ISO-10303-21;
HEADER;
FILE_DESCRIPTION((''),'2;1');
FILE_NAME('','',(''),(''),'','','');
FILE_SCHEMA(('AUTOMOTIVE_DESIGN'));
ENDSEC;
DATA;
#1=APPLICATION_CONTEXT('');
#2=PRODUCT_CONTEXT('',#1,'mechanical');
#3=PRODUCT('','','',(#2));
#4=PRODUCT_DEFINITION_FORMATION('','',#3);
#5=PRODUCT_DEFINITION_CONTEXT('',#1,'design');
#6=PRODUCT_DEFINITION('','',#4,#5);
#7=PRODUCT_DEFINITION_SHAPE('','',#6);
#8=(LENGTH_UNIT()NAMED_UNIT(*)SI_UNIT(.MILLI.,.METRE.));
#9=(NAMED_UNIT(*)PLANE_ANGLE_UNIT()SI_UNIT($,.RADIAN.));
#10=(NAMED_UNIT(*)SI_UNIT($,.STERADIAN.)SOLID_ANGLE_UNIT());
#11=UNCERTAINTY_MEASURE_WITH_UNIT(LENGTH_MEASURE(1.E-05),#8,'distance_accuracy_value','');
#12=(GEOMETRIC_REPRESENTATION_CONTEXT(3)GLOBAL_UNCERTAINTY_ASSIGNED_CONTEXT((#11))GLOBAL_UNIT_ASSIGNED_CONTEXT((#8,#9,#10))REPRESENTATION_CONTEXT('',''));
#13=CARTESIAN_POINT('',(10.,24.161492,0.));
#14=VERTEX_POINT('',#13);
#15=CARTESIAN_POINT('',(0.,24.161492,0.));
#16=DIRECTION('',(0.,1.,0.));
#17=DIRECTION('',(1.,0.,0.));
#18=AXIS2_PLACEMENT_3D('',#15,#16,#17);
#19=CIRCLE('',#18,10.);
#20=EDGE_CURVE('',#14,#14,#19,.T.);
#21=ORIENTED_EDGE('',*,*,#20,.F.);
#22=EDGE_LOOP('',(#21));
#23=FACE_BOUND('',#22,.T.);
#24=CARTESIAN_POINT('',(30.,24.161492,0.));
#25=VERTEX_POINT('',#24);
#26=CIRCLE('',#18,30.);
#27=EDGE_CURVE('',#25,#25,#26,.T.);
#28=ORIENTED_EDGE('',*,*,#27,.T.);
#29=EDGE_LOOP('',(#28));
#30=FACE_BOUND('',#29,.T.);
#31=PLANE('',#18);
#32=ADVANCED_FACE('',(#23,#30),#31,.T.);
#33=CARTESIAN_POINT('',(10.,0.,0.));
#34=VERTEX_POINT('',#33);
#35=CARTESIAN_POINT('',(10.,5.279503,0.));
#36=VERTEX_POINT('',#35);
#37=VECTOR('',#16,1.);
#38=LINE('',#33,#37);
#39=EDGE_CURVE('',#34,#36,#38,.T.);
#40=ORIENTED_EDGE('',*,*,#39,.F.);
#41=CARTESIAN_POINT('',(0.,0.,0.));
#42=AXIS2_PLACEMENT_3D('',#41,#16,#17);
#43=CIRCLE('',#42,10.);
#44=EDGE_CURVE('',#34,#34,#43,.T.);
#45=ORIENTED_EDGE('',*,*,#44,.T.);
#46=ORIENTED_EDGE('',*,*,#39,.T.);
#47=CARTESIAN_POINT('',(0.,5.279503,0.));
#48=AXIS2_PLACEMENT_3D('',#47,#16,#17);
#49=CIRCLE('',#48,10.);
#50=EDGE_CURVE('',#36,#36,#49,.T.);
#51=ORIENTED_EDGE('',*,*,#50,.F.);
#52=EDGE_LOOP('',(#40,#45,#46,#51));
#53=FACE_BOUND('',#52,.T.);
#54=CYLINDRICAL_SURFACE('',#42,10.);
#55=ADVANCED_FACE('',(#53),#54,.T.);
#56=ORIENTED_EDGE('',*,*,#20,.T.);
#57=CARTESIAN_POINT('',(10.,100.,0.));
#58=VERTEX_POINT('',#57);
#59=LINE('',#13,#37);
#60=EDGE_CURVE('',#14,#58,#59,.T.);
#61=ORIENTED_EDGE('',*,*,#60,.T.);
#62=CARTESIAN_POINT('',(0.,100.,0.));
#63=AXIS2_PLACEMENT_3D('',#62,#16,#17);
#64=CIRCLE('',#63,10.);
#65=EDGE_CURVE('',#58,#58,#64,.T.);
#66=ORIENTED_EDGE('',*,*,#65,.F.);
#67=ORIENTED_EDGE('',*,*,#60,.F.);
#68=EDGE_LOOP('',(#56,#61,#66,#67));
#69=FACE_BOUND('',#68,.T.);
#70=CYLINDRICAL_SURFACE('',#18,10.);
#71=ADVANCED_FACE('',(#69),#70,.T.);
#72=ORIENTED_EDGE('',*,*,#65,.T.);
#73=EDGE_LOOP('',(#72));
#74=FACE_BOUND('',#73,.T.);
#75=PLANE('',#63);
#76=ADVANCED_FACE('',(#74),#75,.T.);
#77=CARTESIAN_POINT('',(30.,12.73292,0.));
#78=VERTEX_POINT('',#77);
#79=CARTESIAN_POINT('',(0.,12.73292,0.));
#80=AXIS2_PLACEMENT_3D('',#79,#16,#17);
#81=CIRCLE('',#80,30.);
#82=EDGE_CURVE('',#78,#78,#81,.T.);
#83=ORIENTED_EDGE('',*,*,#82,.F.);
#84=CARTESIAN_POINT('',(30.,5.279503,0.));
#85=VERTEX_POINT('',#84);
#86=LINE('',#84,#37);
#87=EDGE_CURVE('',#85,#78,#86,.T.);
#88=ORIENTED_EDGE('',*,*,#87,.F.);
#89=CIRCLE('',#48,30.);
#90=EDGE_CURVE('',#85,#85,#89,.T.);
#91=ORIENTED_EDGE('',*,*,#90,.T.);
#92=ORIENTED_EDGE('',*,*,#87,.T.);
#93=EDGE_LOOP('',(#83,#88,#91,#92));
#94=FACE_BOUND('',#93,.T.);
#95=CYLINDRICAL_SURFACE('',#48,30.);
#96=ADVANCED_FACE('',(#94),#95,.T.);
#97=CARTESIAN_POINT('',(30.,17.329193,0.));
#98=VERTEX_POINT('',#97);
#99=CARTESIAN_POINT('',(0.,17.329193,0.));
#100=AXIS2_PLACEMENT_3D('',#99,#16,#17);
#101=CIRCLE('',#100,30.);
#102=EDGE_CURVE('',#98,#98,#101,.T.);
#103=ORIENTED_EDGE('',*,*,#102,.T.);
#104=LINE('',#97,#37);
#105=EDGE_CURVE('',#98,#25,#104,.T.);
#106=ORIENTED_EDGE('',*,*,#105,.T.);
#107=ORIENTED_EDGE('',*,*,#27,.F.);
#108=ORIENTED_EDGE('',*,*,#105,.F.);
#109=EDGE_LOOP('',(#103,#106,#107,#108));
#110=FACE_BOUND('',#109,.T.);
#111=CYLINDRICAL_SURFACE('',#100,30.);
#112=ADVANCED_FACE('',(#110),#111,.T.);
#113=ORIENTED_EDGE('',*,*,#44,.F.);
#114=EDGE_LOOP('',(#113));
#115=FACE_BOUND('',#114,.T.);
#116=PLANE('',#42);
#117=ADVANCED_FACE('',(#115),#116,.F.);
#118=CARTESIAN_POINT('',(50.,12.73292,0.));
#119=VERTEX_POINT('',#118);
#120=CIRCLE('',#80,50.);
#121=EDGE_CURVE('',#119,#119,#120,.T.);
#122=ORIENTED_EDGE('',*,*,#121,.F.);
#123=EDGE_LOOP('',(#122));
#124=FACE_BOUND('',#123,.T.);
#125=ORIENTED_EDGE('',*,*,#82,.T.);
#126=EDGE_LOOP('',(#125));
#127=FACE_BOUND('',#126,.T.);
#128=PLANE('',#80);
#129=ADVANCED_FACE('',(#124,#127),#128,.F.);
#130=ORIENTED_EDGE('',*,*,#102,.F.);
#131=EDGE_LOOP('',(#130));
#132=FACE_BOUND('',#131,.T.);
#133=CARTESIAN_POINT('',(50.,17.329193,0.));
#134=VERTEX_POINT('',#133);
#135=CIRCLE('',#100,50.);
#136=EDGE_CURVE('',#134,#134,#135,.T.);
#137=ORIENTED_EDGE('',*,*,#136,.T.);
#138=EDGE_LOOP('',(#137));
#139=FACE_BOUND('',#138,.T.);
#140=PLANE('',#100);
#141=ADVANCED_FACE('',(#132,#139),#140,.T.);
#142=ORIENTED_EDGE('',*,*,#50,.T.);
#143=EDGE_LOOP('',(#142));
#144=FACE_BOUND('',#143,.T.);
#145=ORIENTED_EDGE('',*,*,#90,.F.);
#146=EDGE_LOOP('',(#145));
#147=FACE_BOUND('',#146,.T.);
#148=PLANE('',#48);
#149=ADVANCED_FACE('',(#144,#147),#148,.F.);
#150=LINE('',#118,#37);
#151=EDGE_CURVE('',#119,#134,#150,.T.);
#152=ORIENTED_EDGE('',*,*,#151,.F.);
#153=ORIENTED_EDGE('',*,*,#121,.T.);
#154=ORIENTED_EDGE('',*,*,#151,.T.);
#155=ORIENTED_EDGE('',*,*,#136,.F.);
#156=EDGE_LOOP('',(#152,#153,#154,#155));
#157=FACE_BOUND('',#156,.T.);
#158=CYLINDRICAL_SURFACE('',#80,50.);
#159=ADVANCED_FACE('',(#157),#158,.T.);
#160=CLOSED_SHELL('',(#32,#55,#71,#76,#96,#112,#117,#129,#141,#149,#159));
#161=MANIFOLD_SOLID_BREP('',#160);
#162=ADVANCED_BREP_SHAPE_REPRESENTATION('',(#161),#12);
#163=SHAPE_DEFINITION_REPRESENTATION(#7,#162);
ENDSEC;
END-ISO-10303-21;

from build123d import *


with BuildPart() as f1:
    # F0 (on Top) → F1 (revolve)
    with BuildSketch(Plane.XY):
        Polygon((0, 5.279503), (0, 0), (10, 0), (10, 5.279503), (30, 5.279503), (30, 12.73292), (50, 12.73292), (50, 17.329193), (30, 17.329193), (30, 24.161492), (10, 24.161492), (10, 100), (0, 100), (0, 24.161492), (0, 17.329193), (0, 12.73292), align=None)
    revolve(axis=Axis((0, 50, 0), (0, 1, 0)))


solid = f1.part
